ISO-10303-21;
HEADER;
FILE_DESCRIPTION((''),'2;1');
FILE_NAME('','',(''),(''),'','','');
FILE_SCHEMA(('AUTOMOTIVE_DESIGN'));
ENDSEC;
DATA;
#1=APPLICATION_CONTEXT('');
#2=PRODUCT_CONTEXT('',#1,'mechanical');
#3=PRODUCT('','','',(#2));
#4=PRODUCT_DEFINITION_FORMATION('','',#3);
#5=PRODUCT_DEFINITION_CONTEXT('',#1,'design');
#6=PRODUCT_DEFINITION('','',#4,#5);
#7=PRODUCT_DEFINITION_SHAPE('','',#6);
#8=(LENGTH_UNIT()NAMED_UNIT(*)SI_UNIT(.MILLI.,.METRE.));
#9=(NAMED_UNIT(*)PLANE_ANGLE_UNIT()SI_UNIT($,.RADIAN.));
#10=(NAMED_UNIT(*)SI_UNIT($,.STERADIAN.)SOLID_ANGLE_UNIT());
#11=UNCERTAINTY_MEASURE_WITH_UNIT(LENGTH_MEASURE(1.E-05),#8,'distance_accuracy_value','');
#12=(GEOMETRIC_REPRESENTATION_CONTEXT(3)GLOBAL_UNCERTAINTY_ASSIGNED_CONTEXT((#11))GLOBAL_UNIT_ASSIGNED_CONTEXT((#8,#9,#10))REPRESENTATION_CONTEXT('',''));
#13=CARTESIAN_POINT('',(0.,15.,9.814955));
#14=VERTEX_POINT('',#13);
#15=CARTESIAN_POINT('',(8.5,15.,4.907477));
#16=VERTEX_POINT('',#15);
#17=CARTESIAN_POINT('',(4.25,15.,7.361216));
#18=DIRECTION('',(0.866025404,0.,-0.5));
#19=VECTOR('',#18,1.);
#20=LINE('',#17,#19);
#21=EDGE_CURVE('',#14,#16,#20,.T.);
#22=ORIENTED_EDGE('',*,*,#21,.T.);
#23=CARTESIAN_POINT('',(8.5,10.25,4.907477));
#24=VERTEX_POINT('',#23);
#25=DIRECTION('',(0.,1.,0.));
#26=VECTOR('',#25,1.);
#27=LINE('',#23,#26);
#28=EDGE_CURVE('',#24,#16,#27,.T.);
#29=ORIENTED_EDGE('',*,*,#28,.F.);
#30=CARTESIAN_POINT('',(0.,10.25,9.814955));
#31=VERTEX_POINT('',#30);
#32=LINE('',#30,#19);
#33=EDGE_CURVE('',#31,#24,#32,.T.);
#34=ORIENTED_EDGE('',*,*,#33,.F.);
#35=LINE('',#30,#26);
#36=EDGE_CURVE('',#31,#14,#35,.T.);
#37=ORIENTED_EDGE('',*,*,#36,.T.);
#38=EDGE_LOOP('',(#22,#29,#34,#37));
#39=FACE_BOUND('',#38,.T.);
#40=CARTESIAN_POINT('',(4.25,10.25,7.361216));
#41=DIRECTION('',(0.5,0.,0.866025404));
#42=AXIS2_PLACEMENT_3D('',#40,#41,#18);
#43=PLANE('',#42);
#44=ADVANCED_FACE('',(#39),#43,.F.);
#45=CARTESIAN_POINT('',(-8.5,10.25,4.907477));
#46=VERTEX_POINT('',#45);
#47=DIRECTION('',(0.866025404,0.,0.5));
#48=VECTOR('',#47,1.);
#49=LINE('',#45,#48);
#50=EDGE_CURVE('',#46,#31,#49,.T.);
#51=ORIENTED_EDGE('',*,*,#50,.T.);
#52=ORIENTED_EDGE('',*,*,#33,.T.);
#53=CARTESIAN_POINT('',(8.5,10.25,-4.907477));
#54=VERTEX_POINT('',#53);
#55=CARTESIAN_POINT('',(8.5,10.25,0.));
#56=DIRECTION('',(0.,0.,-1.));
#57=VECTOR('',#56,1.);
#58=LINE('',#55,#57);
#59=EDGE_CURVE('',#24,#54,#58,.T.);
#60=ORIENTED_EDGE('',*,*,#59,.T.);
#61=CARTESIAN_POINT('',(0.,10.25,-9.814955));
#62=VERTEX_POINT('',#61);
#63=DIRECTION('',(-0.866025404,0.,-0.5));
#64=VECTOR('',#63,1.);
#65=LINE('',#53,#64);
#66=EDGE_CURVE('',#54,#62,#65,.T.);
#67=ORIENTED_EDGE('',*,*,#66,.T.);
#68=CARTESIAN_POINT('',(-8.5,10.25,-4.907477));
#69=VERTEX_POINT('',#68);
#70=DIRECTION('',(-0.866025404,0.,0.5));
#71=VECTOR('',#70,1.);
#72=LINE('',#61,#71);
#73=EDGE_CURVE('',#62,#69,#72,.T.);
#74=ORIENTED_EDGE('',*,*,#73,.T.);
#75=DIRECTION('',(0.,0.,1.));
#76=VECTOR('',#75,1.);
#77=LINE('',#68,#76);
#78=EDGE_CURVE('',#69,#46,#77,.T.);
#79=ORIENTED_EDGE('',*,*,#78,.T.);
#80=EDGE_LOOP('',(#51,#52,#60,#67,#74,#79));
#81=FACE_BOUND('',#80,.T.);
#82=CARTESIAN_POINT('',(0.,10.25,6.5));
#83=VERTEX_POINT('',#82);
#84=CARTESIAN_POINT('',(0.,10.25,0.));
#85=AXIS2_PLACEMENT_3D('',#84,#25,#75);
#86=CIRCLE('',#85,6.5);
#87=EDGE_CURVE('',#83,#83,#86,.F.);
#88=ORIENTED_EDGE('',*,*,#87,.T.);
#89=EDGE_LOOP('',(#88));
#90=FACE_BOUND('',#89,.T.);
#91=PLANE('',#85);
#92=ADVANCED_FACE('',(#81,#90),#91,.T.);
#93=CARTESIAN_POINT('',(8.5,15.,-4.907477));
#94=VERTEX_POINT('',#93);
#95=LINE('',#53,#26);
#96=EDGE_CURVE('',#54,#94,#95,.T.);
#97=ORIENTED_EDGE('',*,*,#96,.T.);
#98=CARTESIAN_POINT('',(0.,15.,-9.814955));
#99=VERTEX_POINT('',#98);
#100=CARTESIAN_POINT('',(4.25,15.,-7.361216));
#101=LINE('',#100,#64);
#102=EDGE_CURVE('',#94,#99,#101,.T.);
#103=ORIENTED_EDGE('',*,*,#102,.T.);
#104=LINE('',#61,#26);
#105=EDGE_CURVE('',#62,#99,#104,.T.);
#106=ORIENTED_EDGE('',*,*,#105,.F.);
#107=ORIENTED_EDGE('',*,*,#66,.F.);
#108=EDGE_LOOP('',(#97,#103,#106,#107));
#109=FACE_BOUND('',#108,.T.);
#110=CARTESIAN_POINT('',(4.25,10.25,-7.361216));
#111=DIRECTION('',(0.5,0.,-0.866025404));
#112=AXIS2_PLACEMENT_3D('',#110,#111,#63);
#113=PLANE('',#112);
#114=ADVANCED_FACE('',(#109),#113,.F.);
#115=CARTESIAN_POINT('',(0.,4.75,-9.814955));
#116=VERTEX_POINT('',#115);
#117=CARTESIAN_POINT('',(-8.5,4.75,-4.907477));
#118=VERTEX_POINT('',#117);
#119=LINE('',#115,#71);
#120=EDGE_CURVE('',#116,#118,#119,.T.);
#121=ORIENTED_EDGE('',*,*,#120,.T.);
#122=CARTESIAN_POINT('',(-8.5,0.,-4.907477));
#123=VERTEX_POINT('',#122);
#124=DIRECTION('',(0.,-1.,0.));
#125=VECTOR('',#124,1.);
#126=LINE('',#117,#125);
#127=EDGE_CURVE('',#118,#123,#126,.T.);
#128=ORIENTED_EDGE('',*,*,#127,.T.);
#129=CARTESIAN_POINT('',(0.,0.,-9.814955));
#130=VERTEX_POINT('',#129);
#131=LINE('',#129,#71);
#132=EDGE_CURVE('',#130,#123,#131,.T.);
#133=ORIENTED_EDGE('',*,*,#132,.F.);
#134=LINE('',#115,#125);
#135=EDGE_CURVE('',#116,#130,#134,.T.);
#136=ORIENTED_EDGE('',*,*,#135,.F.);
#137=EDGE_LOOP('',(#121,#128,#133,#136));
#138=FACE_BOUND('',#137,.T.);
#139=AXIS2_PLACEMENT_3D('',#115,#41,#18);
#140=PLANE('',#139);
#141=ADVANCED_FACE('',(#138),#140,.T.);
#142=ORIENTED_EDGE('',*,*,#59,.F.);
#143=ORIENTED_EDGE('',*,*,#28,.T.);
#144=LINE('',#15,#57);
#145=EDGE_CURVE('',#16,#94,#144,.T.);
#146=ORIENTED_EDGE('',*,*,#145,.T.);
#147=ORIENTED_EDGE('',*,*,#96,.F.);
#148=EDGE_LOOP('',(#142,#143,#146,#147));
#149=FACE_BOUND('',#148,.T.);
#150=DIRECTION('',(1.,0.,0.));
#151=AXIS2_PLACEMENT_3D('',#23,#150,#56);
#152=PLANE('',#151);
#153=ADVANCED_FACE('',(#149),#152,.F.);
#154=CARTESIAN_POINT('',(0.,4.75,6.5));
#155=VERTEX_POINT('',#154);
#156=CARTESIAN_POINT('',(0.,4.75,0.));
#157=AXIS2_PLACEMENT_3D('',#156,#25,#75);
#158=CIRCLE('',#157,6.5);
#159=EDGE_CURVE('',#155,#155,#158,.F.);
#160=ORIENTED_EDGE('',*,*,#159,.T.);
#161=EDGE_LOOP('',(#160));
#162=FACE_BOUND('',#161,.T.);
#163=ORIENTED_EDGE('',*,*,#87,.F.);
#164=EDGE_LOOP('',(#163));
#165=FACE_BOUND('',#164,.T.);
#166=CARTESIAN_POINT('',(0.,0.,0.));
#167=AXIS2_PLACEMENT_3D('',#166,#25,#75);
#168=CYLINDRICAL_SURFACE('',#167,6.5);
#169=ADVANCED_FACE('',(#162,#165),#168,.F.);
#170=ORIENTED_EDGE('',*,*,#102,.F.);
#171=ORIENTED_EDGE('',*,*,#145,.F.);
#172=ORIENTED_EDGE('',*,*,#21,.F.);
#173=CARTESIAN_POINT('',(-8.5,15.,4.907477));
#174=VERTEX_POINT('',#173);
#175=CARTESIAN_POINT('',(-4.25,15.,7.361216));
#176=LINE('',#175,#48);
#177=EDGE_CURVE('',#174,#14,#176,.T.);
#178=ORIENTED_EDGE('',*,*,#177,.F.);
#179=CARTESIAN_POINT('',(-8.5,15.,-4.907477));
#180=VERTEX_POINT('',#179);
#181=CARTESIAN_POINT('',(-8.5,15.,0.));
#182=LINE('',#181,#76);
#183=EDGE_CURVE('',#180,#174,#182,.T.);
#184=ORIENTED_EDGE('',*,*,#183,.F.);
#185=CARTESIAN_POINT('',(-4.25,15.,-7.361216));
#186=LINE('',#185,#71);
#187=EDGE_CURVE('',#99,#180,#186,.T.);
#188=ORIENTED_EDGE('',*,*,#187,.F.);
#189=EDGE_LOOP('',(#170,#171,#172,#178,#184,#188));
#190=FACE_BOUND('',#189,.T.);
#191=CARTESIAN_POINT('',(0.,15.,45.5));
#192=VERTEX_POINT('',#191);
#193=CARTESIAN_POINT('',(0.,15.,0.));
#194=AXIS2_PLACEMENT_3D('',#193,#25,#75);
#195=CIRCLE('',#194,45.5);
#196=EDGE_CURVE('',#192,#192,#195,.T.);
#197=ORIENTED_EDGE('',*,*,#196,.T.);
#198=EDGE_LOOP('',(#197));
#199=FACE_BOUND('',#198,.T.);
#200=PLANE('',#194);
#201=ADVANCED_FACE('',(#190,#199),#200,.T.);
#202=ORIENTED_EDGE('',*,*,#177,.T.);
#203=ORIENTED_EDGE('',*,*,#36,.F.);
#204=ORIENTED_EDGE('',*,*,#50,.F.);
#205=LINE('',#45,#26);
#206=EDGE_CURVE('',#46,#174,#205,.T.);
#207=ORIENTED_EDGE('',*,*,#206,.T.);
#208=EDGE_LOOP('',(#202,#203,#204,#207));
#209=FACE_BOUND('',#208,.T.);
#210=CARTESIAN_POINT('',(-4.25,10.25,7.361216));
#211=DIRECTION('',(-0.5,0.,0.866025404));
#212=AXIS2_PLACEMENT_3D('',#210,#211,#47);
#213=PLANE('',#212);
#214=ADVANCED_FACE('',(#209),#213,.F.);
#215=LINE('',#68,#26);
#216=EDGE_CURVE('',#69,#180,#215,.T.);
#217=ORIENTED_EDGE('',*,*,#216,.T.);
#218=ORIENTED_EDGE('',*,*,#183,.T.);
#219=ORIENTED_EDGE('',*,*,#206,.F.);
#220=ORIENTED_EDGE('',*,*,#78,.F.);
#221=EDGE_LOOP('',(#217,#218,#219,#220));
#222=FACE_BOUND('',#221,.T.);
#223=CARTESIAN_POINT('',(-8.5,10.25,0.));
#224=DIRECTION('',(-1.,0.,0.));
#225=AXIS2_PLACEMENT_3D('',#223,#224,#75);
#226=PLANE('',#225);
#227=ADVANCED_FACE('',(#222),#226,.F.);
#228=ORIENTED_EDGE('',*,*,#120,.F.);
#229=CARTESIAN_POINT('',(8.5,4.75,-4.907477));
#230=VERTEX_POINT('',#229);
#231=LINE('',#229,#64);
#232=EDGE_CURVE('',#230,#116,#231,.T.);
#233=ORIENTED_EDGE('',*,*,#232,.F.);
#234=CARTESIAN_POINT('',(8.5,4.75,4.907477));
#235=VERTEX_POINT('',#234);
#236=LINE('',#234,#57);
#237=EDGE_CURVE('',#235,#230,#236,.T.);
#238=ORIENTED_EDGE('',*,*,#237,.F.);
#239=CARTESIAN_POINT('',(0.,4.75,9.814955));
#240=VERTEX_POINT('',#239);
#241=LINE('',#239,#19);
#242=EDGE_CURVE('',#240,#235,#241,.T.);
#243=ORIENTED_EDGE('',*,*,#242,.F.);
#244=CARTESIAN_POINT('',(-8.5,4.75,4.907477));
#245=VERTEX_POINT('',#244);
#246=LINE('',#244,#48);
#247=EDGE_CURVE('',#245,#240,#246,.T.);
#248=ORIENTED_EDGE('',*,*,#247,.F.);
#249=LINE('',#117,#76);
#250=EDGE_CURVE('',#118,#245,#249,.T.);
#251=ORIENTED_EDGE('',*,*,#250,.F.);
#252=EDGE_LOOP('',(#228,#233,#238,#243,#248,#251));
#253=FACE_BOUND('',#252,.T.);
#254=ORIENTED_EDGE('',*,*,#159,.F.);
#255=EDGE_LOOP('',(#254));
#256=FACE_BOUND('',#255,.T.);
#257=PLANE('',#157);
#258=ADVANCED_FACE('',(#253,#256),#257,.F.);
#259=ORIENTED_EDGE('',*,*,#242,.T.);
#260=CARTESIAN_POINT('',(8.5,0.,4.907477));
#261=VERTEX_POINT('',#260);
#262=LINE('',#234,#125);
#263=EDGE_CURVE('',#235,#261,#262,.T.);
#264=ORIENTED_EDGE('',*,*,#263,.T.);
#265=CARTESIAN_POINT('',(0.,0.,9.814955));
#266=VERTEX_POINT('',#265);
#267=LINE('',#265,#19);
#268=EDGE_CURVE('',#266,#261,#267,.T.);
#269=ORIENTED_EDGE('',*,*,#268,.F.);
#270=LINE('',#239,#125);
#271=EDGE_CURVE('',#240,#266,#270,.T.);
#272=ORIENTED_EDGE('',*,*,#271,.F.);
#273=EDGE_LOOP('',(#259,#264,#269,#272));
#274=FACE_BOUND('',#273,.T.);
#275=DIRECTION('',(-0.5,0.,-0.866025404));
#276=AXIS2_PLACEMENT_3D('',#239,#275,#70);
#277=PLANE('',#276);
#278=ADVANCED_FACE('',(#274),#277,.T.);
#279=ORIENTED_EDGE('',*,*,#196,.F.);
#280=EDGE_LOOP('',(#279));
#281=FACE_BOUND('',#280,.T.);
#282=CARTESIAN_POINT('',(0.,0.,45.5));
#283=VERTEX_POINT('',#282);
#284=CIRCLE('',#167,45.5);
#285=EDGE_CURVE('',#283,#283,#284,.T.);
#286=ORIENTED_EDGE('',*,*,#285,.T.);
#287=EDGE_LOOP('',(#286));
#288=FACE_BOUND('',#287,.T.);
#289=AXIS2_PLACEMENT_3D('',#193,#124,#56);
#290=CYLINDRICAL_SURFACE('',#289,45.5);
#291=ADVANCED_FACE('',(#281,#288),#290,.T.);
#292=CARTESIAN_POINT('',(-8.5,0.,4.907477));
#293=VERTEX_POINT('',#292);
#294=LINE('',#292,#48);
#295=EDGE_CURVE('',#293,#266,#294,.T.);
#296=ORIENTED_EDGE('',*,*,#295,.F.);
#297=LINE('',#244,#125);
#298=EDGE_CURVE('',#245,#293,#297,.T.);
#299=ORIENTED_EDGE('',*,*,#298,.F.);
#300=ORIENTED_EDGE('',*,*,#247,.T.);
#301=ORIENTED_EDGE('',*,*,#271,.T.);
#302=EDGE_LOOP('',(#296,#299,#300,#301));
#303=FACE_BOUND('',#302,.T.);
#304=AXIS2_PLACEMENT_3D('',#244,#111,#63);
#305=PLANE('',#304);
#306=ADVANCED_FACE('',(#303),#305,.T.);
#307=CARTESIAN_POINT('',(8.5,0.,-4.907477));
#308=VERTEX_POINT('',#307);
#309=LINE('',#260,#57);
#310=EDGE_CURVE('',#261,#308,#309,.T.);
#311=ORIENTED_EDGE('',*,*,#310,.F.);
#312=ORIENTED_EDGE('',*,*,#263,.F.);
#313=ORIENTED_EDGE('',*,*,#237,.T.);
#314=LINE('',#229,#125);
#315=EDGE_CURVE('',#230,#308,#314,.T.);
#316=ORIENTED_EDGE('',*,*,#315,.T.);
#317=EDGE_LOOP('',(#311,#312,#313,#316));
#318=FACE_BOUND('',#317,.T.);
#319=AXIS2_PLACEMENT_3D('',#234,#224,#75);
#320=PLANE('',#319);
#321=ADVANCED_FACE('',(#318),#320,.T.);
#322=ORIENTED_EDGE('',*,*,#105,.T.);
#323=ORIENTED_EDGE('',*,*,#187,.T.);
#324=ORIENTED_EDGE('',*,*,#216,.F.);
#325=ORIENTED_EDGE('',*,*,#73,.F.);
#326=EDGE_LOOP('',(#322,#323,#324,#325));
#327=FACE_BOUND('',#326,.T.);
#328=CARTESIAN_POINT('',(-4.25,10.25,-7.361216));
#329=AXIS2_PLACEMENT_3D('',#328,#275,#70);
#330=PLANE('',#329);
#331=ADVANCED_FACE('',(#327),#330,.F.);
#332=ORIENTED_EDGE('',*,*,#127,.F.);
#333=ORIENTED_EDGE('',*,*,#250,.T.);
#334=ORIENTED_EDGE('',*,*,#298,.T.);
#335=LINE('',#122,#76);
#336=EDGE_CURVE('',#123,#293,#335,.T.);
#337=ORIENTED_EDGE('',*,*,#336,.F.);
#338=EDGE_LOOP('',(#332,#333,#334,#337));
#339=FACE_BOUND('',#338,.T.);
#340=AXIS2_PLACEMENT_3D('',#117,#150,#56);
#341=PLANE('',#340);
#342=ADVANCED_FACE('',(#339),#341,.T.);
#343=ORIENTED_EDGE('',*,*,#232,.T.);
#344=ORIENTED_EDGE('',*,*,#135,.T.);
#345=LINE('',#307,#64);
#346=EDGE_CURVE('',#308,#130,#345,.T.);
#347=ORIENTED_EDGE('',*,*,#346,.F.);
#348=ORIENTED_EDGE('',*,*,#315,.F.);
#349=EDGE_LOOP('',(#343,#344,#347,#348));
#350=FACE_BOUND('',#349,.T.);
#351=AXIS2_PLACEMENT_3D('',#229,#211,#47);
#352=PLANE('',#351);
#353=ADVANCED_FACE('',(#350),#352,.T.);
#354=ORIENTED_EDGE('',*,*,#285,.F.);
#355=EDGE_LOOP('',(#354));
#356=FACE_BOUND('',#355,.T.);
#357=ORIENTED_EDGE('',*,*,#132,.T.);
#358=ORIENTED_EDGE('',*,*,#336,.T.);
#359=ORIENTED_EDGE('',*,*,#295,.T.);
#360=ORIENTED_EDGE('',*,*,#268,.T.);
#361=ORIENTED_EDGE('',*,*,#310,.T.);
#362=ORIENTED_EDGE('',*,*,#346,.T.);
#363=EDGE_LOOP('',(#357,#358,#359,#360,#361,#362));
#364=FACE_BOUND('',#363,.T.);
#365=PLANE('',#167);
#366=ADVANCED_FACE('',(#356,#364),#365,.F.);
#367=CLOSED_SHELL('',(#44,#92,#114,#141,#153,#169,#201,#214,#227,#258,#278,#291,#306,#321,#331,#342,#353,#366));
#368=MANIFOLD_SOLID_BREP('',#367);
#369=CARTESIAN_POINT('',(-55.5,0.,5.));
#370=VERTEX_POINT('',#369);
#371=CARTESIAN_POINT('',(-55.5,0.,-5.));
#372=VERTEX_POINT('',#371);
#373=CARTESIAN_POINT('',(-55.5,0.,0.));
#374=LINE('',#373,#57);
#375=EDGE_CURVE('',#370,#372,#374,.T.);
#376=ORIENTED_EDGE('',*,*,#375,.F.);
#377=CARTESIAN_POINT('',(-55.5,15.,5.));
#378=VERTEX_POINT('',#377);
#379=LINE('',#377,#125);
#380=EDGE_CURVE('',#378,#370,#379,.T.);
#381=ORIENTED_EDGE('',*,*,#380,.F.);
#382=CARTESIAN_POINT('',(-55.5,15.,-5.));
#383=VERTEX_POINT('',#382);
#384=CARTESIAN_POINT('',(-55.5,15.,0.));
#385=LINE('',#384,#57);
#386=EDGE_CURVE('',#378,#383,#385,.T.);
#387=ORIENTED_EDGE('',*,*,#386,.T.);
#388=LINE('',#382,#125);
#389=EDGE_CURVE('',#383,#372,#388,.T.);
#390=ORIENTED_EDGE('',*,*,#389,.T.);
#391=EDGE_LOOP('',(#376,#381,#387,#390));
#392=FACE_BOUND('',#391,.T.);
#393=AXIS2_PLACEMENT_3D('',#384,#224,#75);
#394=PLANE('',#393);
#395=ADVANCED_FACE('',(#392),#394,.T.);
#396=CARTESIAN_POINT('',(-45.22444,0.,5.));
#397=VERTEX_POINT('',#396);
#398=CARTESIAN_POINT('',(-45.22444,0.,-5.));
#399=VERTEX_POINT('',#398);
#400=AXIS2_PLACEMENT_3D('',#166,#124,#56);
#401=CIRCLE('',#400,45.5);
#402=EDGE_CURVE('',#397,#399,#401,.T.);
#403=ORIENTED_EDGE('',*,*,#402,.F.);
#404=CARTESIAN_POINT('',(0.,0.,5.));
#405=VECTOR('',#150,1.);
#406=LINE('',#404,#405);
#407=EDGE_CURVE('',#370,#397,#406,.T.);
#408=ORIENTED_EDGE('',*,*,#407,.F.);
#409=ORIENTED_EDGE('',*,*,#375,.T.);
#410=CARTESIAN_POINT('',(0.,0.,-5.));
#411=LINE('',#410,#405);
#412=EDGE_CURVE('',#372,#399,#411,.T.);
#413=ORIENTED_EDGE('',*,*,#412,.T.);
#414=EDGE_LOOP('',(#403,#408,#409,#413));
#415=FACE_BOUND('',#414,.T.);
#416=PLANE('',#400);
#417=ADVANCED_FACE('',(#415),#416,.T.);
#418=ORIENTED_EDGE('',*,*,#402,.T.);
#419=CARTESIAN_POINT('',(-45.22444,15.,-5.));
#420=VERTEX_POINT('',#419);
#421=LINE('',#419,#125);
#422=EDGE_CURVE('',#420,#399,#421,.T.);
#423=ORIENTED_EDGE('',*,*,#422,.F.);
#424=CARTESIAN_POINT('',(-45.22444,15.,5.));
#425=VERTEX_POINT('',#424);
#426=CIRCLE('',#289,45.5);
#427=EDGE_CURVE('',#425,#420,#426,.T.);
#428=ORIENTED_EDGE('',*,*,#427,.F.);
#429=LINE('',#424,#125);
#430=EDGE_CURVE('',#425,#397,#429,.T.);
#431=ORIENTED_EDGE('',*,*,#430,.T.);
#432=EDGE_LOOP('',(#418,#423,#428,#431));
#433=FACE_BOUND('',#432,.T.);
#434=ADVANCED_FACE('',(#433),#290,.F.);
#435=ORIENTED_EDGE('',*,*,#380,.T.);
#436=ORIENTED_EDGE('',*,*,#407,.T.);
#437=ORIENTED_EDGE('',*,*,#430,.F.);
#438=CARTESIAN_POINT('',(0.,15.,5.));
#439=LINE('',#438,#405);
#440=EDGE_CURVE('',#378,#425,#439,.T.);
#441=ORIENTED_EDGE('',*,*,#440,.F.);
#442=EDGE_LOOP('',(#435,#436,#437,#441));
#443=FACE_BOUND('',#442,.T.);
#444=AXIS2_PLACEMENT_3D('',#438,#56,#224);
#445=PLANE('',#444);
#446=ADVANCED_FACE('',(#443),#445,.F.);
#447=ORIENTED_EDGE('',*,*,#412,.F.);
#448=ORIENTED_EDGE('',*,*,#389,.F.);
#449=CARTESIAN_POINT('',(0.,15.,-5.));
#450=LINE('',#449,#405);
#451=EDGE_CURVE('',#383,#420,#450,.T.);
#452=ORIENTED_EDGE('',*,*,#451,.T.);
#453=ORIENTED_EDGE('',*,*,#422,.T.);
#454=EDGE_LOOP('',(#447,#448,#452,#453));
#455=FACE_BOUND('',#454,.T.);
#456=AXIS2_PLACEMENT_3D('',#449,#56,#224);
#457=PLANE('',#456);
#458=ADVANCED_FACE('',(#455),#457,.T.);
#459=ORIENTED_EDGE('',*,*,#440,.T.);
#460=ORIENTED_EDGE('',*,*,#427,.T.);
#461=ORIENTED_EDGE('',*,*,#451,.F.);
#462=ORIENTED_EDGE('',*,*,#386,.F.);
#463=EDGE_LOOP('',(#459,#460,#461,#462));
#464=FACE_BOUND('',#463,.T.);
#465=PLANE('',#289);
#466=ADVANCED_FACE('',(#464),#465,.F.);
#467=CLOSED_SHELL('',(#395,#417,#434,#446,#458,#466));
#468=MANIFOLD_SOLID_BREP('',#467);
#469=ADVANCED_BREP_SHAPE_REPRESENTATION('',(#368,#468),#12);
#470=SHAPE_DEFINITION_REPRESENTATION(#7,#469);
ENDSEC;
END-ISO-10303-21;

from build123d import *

# Parameters (mm, degrees)
ESQUISSE1_R             = 45.5
BOSS_EXTRU_1_DEPTH      = 15
BOSS_EXTRU_2_DEPTH      = 15
ESQUISSE3_R             = 6.5
ENL_V_MAT_EXTRU_1_DEPTH = 74.317801385
ENL_V_MAT_EXTRU_3_DEPTH = 4.75
ENL_V_MAT_EXTRU_4_DEPTH = 4.75


with BuildPart() as part:
    # Esquisse1 → Boss.-Extru.1 (new body)
    with BuildSketch(Plane(origin=(0, 0, 0), x_dir=(1, 0, 0), z_dir=(0, 1, 0))):
        with Locations(Location((0, 0, 0), (0, 0, 270))):
            Circle(ESQUISSE1_R)
    extrude(amount=BOSS_EXTRU_1_DEPTH)

    # Esquisse3 → Enlèv. mat.-Extru.1 (cut, through all)
    with BuildSketch(Plane(origin=(0, 15, 0), x_dir=(1, 0, 0), z_dir=(0, 1, 0))):
        with Locations(Location((0, 0, 0), (0, 0, 270))):
            Circle(ESQUISSE3_R)
    extrude(amount=-ENL_V_MAT_EXTRU_1_DEPTH, mode=Mode.SUBTRACT)

    # Esquisse4 → Enlèv. mat.-Extru.3 (cut)
    with BuildSketch(Plane(origin=(0, 15, 0), x_dir=(1, 0, 0), z_dir=(0, 1, 0))):
        Polygon((4.25, 7.361215932), (0, 9.814954576), (-4.25, 7.361215932), (-8.5, 4.907477288), (-8.5, 0), (-8.5, -4.907477288), (-4.25, -7.361215932), (0, -9.814954576), (4.25, -7.361215932), (8.5, -4.907477288), (8.5, 0), (8.5, 4.907477288), align=None)
    extrude(amount=-ENL_V_MAT_EXTRU_3_DEPTH, mode=Mode.SUBTRACT)

    # Esquisse5 → Enlèv. mat.-Extru.4 (cut)
    with BuildSketch(Plane.XZ):
        Polygon((-8.5, 4.907477288), (0, 9.814954576), (8.5, 4.907477288), (8.5, -4.907477288), (0, -9.814954576), (-8.5, -4.907477288), align=None)
    extrude(amount=-ENL_V_MAT_EXTRU_4_DEPTH, mode=Mode.SUBTRACT)


with BuildPart() as body_2:
    # Esquisse2 → Boss.-Extru.2 (new body)
    with BuildSketch(Plane.XZ):
        with BuildLine():
            ThreePointArc((-45.224440295, -5), (-45.431057843, -2.503793779), (-45.5, 0))
            Line((-45.5, 0), (-55.5, 0))
            Line((-55.5, 0), (-55.5, -5))
            Line((-55.5, -5), (-45.224440295, -5))
        make_face()
        with BuildLine():
            Line((-55.5, 0), (-45.5, 0))
            ThreePointArc((-45.5, 0), (-45.431057843, 2.503793779), (-45.224440295, 5))
            Line((-45.224440295, 5), (-55.5, 5))
            Line((-55.5, 5), (-55.5, 0))
        make_face()
    extrude(amount=-BOSS_EXTRU_2_DEPTH)


solid = Compound([part.part, body_2.part])
